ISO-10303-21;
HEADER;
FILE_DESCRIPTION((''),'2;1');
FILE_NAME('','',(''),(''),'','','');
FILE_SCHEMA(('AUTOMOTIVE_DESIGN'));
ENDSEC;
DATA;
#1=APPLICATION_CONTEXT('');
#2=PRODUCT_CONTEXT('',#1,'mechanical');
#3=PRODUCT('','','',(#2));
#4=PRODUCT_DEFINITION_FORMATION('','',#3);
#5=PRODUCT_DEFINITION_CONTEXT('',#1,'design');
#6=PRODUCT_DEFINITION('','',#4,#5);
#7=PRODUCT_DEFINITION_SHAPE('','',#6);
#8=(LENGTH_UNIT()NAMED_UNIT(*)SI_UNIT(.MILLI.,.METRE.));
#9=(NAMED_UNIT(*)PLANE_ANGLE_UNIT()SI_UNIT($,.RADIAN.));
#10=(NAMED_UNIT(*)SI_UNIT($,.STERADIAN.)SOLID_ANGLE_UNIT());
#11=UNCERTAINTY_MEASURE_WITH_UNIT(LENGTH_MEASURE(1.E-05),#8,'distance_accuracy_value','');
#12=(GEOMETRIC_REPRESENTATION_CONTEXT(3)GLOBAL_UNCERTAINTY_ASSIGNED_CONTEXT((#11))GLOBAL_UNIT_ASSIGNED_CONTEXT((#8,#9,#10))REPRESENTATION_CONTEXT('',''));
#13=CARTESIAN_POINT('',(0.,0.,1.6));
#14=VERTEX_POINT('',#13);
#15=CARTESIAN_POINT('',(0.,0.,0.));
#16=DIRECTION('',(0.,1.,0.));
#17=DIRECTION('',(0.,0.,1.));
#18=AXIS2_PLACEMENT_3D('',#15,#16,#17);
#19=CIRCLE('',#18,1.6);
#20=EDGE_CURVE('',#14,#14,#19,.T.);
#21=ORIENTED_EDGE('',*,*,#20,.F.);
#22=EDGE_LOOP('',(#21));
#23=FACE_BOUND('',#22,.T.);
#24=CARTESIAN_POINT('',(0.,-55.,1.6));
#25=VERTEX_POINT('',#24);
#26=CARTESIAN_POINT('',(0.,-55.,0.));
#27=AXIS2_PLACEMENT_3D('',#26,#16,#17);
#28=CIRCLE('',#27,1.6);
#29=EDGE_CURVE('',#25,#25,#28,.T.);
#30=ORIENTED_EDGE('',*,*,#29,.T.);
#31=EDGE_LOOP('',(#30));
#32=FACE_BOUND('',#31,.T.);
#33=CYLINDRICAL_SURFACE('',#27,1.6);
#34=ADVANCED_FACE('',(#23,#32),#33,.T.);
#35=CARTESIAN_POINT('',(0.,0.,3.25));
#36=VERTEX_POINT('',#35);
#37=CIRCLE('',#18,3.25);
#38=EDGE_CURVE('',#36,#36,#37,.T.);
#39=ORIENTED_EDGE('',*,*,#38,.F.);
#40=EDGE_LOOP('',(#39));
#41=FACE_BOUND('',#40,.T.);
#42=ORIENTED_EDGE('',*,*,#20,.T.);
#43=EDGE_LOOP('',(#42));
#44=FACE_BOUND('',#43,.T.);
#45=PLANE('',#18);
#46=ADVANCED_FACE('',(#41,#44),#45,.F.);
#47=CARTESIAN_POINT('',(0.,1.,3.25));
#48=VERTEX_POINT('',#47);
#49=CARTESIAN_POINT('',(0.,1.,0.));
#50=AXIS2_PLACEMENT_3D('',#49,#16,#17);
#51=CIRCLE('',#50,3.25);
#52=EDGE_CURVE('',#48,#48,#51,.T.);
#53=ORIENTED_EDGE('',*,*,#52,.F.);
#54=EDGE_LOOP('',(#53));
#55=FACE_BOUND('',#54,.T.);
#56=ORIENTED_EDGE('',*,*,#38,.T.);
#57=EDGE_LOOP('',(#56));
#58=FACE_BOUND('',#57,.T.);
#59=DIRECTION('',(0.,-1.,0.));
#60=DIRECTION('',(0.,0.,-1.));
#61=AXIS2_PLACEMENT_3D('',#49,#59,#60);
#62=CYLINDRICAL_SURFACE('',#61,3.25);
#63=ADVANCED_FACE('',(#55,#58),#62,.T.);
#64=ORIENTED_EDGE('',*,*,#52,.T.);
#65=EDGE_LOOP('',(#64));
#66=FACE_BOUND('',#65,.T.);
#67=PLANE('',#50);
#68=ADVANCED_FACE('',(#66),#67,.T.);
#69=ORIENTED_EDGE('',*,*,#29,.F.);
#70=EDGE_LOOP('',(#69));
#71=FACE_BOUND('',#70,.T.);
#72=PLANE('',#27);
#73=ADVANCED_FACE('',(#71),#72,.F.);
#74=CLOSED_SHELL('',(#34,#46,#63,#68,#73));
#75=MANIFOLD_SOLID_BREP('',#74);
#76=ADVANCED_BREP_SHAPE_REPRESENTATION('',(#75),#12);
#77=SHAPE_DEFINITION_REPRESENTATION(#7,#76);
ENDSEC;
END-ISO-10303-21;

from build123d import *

# Parameters (mm, degrees)
SKETCH1_R           = 3.25
BOSS_EXTRUDE1_DEPTH = 1
SKETCH2_R           = 1.6
BOSS_EXTRUDE2_DEPTH = 55


with BuildPart() as part:
    # Sketch1 → Boss-Extrude1 (new body)
    with BuildSketch(Plane(origin=(0, 0, 0), x_dir=(1, 0, 0), z_dir=(0, 1, 0))):
        with Locations(Location((0, 0, 0), (0, 0, 270))):
            Circle(SKETCH1_R)
    extrude(amount=BOSS_EXTRUDE1_DEPTH)

    # Sketch2 → Boss-Extrude2 (add)
    with BuildSketch(Plane(origin=(0, 0, 0), x_dir=(1, 0, 0), z_dir=(0, 1, 0))):
        with Locations(Location((0, 0, 0), (0, 0, 270))):
            Circle(SKETCH2_R)
    extrude(amount=-BOSS_EXTRUDE2_DEPTH)


solid = part.part
